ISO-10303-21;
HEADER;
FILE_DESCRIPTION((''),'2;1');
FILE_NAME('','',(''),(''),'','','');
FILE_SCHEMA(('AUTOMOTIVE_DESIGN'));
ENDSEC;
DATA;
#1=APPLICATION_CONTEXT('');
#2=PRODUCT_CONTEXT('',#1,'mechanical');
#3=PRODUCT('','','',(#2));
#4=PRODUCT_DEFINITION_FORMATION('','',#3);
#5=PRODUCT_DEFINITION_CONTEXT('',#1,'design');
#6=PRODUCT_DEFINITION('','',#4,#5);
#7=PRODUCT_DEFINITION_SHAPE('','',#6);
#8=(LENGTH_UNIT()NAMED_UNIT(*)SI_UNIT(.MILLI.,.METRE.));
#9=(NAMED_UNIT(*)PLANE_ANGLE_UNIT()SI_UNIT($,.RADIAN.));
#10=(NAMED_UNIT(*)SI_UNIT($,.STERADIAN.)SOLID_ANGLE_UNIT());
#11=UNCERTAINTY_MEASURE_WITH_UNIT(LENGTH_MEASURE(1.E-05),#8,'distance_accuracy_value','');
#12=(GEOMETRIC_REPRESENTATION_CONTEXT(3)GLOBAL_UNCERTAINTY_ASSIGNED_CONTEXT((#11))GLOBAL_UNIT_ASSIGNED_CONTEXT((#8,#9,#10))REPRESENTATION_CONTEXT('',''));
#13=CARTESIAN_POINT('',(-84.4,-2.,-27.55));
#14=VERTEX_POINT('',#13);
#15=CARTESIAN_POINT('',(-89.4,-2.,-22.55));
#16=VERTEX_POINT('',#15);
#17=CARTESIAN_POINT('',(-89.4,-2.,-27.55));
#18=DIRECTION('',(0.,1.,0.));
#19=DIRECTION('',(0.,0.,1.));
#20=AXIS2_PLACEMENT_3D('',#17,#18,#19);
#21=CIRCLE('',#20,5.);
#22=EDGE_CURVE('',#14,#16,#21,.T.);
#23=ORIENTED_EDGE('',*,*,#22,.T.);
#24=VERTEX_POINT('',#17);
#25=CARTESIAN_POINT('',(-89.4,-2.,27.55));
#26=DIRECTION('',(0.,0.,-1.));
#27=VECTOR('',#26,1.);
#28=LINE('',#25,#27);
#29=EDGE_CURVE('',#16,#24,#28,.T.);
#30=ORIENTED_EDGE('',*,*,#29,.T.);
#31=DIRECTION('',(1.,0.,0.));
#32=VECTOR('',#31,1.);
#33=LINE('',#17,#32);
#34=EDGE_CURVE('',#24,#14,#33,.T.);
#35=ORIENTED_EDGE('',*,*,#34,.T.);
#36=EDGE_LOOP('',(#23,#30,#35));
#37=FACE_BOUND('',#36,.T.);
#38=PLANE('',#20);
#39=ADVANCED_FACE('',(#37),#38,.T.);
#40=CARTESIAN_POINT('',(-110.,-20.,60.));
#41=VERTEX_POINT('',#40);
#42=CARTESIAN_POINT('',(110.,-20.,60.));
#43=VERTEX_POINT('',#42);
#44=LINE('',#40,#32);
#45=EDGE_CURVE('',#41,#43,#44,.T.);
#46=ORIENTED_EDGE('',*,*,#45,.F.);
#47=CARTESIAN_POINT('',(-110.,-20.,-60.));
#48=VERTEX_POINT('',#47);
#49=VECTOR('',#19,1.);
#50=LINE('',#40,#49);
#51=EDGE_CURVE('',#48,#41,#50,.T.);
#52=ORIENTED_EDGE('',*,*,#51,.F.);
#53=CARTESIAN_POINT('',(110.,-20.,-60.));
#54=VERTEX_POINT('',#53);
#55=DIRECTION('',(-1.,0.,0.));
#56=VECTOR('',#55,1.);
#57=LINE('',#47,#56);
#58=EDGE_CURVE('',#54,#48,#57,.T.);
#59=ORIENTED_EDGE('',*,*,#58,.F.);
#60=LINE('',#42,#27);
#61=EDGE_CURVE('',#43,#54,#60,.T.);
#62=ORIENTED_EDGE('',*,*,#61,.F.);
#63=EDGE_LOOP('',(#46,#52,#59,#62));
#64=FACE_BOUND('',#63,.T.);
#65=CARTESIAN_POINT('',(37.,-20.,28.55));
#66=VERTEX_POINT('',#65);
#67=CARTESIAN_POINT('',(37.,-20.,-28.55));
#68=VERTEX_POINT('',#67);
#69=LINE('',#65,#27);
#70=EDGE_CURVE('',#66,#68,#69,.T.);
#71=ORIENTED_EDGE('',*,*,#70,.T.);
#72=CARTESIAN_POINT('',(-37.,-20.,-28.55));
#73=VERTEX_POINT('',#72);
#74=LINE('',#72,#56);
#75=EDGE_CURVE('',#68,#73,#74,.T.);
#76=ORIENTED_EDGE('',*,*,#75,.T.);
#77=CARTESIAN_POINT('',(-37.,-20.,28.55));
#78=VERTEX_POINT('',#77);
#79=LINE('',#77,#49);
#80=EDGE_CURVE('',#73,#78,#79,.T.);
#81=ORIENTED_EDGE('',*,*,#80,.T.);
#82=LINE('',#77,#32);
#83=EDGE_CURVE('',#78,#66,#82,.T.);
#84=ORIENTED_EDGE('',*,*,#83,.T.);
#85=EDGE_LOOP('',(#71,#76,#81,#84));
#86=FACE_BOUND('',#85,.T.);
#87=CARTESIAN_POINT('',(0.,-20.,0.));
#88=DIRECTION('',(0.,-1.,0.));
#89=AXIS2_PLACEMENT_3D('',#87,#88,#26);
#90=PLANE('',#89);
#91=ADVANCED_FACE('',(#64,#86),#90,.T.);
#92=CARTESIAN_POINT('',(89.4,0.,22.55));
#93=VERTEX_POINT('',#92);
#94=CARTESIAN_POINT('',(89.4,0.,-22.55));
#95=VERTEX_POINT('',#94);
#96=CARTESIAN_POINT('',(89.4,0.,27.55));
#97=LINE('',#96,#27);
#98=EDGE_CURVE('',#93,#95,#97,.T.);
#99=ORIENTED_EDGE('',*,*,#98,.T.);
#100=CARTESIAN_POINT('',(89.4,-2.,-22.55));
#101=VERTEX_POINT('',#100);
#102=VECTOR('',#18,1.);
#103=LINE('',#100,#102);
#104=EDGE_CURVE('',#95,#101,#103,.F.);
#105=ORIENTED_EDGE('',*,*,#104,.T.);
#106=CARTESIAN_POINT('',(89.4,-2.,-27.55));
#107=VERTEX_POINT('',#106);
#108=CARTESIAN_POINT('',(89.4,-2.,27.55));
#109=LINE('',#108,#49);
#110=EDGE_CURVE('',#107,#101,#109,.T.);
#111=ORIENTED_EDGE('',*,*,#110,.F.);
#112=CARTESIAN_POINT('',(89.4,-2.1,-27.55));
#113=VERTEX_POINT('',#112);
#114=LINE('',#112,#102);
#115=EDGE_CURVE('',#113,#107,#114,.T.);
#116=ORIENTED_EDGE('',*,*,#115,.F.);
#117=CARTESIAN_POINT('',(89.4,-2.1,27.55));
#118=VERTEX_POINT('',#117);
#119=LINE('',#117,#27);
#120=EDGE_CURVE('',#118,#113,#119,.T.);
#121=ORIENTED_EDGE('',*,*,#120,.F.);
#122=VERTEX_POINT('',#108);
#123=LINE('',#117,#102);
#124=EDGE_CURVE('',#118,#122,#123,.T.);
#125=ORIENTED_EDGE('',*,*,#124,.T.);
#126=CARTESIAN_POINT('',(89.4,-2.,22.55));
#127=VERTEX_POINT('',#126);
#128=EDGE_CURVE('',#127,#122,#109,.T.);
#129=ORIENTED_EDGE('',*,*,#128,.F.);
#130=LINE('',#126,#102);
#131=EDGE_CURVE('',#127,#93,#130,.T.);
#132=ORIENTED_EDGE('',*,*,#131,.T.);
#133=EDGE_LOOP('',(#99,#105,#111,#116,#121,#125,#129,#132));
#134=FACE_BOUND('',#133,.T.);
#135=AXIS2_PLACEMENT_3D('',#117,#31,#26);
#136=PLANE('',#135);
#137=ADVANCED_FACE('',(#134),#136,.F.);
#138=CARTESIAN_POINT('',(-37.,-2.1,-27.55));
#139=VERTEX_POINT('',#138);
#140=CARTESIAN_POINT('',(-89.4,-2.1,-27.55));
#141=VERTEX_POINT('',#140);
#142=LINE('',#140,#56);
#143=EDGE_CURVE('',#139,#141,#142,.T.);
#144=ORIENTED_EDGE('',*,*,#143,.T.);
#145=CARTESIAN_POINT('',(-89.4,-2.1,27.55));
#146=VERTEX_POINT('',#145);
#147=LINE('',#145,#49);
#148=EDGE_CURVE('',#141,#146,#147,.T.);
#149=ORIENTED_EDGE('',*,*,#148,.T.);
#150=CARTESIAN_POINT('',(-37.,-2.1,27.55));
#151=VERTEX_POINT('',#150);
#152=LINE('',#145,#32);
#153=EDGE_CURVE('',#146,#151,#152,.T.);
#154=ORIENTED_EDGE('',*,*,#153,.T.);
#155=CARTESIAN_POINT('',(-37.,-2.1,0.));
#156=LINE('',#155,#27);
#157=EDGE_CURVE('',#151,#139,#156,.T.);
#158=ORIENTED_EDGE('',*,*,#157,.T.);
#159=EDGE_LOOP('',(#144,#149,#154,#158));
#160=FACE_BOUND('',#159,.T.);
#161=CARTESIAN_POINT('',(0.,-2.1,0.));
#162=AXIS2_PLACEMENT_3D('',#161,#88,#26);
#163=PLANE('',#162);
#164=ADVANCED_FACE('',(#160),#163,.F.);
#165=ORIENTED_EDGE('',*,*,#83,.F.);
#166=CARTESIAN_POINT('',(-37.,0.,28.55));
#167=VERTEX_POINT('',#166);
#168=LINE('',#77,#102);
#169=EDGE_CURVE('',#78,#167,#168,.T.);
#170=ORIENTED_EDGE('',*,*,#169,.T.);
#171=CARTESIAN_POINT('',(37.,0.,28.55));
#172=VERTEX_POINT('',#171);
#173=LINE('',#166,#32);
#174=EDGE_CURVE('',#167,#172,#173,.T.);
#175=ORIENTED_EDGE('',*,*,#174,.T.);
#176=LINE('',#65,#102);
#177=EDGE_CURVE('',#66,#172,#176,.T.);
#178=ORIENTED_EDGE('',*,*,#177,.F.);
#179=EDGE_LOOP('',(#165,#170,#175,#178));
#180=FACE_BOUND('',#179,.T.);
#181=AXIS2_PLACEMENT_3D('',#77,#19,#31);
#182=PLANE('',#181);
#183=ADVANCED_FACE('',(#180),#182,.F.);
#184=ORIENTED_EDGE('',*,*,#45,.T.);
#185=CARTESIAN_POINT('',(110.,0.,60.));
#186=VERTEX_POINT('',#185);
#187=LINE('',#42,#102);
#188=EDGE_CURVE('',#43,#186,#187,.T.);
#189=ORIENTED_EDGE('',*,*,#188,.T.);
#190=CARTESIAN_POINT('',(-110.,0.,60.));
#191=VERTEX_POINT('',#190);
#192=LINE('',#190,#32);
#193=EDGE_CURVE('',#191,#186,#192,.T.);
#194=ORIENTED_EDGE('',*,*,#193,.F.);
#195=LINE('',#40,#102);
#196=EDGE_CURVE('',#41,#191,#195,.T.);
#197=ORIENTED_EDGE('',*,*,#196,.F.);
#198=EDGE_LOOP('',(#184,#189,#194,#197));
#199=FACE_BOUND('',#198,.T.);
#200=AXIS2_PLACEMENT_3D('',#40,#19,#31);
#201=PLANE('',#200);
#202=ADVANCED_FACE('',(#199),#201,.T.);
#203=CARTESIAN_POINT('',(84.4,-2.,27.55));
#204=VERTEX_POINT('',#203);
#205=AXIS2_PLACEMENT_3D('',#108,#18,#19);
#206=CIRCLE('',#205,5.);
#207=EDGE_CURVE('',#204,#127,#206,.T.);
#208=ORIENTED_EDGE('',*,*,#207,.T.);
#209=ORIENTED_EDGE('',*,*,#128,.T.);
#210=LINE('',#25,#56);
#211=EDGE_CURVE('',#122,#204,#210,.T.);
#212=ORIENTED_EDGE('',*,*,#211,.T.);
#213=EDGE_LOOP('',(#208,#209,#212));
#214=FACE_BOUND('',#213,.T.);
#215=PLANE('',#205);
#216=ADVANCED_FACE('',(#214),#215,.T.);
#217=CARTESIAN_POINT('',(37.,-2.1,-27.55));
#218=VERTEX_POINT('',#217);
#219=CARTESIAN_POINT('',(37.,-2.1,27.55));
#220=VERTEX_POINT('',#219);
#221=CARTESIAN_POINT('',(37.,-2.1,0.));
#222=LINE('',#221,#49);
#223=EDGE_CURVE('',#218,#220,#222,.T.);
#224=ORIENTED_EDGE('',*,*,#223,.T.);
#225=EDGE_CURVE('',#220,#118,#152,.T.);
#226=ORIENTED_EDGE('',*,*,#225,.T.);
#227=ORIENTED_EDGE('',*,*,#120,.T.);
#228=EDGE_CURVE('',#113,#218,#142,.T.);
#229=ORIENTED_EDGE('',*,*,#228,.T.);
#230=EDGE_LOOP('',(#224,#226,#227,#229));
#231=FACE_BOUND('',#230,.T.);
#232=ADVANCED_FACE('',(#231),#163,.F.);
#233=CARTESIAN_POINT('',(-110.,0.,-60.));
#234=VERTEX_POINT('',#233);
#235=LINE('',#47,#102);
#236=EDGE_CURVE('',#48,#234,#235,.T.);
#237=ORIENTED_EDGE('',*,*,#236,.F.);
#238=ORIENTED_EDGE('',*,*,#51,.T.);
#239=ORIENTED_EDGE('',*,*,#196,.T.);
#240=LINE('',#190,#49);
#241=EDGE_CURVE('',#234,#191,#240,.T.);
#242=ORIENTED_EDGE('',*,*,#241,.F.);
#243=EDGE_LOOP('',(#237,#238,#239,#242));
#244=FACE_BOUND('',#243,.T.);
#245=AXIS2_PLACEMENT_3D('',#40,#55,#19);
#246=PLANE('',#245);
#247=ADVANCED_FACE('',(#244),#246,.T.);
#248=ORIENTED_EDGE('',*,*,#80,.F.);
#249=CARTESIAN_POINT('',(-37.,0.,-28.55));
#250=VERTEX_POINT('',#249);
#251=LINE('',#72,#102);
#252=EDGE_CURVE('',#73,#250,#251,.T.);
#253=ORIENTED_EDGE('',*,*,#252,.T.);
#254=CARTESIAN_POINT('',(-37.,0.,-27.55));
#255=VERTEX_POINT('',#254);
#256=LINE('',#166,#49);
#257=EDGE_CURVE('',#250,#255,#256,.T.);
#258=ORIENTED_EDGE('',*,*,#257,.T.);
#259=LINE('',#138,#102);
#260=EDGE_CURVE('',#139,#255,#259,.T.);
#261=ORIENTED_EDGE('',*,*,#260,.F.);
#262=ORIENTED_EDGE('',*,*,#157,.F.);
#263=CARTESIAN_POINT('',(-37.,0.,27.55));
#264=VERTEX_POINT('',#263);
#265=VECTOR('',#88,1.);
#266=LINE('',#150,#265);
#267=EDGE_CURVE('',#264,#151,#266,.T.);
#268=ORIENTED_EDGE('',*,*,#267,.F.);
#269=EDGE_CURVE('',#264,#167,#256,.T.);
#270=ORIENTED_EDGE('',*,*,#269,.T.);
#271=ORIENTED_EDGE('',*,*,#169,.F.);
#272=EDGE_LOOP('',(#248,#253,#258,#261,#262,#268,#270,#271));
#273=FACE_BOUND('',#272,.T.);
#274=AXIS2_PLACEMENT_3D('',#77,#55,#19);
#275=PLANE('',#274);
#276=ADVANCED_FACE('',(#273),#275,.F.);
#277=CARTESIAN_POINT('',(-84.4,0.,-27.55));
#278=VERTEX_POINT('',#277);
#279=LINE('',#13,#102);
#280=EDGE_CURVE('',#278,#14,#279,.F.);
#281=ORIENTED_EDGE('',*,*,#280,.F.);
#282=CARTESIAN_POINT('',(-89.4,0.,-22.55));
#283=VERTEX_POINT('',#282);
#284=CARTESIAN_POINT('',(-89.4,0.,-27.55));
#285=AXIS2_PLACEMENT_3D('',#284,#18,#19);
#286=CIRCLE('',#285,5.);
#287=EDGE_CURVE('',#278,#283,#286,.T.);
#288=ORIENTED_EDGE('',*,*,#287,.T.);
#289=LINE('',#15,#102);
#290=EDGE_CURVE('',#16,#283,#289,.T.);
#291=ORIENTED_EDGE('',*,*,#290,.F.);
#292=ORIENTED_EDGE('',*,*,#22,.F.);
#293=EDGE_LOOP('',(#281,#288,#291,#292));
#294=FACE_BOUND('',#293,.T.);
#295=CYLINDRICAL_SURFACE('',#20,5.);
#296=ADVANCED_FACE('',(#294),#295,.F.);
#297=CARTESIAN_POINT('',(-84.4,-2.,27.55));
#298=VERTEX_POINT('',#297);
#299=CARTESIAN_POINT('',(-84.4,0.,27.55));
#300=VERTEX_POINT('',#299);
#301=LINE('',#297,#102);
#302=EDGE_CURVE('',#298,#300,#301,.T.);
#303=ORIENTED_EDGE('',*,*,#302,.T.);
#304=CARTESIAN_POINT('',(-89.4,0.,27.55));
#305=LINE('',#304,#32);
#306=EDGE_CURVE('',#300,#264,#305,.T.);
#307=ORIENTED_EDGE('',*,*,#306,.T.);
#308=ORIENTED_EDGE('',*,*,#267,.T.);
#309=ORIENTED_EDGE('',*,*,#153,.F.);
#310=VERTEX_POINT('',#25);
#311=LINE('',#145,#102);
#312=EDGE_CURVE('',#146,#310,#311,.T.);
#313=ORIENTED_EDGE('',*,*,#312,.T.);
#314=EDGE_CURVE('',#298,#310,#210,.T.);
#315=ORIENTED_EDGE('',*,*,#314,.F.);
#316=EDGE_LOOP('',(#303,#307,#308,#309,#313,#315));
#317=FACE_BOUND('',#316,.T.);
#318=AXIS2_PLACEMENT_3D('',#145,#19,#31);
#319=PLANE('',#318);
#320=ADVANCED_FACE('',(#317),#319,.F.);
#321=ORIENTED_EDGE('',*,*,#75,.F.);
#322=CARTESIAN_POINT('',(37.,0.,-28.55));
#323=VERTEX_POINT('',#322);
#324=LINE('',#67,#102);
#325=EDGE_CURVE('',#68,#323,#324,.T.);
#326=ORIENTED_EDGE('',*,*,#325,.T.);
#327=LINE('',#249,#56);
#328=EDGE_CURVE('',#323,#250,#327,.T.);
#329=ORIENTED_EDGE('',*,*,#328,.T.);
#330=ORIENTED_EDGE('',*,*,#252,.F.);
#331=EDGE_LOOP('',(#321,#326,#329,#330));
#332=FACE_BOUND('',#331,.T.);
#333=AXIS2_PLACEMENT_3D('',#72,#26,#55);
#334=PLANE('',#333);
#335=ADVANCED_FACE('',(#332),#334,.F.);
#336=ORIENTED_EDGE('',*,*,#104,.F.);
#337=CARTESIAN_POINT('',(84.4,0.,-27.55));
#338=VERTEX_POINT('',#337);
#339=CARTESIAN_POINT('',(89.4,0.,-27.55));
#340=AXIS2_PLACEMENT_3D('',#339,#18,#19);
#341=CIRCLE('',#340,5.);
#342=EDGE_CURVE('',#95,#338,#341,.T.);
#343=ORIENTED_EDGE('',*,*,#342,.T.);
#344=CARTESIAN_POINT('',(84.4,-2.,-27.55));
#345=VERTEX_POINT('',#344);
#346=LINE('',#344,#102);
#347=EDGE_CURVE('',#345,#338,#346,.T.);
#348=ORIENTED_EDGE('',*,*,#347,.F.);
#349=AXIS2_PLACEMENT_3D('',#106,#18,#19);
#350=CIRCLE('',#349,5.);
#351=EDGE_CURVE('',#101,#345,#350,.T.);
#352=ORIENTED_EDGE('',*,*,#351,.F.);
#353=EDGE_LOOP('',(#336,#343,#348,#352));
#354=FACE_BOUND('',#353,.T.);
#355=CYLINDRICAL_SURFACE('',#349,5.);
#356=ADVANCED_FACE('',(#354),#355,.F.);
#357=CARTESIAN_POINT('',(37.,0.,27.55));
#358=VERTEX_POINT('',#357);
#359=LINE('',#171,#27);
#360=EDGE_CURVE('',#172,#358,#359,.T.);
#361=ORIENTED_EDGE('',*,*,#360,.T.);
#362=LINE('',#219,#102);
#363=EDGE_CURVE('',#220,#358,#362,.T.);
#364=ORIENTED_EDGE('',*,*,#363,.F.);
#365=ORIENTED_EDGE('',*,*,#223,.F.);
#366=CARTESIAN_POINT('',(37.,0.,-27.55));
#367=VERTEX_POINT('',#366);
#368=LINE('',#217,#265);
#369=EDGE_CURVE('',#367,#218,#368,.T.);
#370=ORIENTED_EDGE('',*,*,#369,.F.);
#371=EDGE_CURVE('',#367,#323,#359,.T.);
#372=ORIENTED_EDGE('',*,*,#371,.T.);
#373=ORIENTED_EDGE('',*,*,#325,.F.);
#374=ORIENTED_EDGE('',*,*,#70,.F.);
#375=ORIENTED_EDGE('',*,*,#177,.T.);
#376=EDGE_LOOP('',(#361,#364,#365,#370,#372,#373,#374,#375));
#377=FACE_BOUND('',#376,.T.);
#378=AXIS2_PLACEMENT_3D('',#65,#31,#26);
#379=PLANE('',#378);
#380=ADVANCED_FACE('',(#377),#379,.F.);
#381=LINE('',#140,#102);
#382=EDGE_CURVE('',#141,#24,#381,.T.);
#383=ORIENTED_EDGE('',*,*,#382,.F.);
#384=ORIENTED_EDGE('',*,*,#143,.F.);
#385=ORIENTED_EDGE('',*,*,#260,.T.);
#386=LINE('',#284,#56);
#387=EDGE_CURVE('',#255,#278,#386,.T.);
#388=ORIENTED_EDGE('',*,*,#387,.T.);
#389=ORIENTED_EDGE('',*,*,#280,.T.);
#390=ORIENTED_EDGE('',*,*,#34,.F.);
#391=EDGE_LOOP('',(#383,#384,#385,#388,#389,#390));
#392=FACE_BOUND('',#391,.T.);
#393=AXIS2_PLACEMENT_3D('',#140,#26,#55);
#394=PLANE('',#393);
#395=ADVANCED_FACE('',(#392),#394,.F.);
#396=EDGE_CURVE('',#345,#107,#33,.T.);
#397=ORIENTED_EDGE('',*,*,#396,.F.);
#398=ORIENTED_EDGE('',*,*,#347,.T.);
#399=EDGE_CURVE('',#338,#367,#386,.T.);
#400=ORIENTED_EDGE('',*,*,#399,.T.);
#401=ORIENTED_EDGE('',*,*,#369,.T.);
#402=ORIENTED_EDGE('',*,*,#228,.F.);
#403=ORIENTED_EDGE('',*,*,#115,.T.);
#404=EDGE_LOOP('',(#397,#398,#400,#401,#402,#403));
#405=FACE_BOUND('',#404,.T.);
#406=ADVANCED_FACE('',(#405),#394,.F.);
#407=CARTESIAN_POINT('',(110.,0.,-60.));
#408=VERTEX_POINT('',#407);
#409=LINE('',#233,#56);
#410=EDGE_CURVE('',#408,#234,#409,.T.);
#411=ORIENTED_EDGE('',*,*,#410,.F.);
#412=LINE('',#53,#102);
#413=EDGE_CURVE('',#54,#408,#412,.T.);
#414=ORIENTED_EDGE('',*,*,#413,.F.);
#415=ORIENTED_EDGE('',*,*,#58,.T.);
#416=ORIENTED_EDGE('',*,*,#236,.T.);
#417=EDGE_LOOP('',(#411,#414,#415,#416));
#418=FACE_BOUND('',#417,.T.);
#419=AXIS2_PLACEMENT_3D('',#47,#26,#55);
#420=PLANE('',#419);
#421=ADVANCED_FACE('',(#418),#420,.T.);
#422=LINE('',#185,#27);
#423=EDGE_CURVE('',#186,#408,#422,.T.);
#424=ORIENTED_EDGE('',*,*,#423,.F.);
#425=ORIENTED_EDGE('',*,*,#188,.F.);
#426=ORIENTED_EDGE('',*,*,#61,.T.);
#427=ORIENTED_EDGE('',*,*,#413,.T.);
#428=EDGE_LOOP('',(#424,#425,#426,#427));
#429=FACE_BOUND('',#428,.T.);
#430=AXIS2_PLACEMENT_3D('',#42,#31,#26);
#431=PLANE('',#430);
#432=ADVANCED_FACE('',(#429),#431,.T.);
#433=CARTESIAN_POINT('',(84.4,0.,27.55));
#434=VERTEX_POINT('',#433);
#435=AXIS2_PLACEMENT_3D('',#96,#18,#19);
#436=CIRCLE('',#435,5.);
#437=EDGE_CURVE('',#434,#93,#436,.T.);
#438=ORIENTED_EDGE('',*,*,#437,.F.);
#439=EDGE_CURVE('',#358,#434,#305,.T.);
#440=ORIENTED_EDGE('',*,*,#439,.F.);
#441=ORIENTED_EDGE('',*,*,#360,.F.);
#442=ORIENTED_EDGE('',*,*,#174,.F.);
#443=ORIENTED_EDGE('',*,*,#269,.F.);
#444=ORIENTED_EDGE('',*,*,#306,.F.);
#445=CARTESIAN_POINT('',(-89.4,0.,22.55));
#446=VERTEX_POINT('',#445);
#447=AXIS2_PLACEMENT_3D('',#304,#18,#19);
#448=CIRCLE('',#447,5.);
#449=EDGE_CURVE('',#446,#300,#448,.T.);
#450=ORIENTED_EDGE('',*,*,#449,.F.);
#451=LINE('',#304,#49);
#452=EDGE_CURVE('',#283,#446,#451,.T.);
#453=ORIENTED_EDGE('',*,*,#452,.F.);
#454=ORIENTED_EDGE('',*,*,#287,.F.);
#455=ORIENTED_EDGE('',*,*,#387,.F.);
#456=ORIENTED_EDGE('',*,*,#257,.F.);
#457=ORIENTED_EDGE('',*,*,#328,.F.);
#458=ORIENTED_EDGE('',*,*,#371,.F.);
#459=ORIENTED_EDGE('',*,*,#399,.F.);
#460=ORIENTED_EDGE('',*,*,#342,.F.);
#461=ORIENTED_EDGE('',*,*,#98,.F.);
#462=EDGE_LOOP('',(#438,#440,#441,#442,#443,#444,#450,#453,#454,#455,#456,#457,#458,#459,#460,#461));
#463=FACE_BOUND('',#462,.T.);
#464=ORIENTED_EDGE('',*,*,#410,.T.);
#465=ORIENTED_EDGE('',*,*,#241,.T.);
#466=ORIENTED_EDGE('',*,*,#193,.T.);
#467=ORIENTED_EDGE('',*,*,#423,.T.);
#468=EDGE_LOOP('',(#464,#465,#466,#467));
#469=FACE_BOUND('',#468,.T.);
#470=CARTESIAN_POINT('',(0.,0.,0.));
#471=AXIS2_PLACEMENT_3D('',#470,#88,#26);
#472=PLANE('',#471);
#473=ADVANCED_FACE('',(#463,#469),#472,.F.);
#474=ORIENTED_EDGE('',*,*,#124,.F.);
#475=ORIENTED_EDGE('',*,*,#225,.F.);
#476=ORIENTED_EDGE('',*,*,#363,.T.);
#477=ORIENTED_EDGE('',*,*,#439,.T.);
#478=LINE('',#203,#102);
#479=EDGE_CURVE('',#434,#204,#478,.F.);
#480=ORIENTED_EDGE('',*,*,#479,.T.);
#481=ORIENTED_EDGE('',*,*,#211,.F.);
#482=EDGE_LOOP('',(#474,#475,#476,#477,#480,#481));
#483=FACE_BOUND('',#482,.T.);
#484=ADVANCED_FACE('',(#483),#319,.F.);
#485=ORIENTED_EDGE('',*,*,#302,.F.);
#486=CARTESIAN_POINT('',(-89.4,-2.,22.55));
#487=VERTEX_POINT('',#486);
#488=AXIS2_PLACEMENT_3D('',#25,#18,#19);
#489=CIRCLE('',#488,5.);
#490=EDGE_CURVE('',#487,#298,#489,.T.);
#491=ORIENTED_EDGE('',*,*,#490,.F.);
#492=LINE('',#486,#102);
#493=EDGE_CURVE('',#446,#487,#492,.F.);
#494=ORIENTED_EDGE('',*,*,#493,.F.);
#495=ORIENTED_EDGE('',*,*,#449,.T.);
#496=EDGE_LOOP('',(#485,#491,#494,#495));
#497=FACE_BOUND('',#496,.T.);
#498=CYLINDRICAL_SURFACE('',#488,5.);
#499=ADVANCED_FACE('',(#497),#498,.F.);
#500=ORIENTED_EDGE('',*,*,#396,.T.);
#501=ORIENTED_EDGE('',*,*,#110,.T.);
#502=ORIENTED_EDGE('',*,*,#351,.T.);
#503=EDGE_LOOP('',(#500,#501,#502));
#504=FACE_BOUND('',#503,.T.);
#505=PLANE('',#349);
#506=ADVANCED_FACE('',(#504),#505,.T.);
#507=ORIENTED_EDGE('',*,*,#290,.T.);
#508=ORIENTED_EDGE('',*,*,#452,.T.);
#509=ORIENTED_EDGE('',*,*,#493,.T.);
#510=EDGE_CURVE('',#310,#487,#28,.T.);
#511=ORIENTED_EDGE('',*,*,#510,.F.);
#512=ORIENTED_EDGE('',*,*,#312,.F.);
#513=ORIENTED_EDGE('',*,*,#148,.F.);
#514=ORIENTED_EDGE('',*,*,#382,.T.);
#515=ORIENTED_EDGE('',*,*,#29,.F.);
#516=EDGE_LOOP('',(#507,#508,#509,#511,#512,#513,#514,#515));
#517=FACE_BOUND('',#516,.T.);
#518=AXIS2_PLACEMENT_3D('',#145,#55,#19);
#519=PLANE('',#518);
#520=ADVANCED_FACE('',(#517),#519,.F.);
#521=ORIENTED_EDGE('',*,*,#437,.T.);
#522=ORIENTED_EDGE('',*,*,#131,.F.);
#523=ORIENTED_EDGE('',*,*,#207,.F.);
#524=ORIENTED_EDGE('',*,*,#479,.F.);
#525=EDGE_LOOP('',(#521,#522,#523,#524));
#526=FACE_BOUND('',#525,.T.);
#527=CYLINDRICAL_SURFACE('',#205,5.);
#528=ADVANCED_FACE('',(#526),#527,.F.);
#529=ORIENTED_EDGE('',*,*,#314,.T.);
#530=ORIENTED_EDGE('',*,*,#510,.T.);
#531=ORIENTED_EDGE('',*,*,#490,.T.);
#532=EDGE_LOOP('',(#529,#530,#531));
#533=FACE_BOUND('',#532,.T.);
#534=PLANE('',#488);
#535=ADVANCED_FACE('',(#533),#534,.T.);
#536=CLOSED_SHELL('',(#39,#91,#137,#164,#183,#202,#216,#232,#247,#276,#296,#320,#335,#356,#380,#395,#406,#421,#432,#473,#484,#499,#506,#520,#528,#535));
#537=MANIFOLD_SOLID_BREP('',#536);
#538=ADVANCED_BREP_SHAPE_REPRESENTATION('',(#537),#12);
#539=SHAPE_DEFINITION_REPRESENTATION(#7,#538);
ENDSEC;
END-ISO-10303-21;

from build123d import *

# Parameters (mm, degrees)
SKETCH1_W               = 220
SKETCH1_H               = 120
BOSS_EXTRUDE1_DEPTH     = 20
SKETCH2_W               = 178.8
SKETCH2_H               = 55.1
CUT_EXTRUDE1_DEPTH      = 2.1
SKETCH3_R               = 5
CUT_EXTRUDE2_DEPTH      = 2
CUT_EXTRUDE3_DEPTH      = 127.571758303
CUT_EXTRUDE3_DEPTH_BACK = 127.571758303
SKETCH4_W               = 74
SKETCH4_H               = 57.1


with BuildPart() as part:
    # Sketch1 → Boss-Extrude1 (new body)
    with BuildSketch(Plane(origin=(0, 0, 0), x_dir=(1, 0, 0), z_dir=(0, 1, 0))):
        Rectangle(SKETCH1_W, SKETCH1_H)
    extrude(amount=-BOSS_EXTRUDE1_DEPTH)

    # Sketch2 → Cut-Extrude1 (cut)
    with BuildSketch(Plane(origin=(0, 0, 0), x_dir=(1, 0, 0), z_dir=(0, 1, 0))):
        Rectangle(SKETCH2_W, SKETCH2_H)
    extrude(amount=-CUT_EXTRUDE1_DEPTH, mode=Mode.SUBTRACT)

    # Sketch3 → Cut-Extrude2 (cut)
    with BuildSketch(Plane(origin=(0, 0, 0), x_dir=(1, 0, 0), z_dir=(0, 1, 0))):
        with Locations((-89.4, 27.55)):
            Circle(SKETCH3_R)
        with Locations((89.4, 27.55)):
            Circle(SKETCH3_R)
        with Locations((89.4, -27.55)):
            Circle(SKETCH3_R)
        with Locations((-89.4, -27.55)):
            Circle(SKETCH3_R)
    extrude(amount=-CUT_EXTRUDE2_DEPTH, mode=Mode.SUBTRACT)

    # Sketch4 → Cut-Extrude3 (cut, two sides: drawn at the far end of the back side and taken through both)
    with BuildSketch(Plane(origin=(0, -2.1, 0), x_dir=(1, 0, 0), z_dir=(0, 1, 0)).offset(-CUT_EXTRUDE3_DEPTH_BACK)):
        Rectangle(SKETCH4_W, SKETCH4_H)
    extrude(amount=CUT_EXTRUDE3_DEPTH + CUT_EXTRUDE3_DEPTH_BACK, mode=Mode.SUBTRACT)


solid = part.part
